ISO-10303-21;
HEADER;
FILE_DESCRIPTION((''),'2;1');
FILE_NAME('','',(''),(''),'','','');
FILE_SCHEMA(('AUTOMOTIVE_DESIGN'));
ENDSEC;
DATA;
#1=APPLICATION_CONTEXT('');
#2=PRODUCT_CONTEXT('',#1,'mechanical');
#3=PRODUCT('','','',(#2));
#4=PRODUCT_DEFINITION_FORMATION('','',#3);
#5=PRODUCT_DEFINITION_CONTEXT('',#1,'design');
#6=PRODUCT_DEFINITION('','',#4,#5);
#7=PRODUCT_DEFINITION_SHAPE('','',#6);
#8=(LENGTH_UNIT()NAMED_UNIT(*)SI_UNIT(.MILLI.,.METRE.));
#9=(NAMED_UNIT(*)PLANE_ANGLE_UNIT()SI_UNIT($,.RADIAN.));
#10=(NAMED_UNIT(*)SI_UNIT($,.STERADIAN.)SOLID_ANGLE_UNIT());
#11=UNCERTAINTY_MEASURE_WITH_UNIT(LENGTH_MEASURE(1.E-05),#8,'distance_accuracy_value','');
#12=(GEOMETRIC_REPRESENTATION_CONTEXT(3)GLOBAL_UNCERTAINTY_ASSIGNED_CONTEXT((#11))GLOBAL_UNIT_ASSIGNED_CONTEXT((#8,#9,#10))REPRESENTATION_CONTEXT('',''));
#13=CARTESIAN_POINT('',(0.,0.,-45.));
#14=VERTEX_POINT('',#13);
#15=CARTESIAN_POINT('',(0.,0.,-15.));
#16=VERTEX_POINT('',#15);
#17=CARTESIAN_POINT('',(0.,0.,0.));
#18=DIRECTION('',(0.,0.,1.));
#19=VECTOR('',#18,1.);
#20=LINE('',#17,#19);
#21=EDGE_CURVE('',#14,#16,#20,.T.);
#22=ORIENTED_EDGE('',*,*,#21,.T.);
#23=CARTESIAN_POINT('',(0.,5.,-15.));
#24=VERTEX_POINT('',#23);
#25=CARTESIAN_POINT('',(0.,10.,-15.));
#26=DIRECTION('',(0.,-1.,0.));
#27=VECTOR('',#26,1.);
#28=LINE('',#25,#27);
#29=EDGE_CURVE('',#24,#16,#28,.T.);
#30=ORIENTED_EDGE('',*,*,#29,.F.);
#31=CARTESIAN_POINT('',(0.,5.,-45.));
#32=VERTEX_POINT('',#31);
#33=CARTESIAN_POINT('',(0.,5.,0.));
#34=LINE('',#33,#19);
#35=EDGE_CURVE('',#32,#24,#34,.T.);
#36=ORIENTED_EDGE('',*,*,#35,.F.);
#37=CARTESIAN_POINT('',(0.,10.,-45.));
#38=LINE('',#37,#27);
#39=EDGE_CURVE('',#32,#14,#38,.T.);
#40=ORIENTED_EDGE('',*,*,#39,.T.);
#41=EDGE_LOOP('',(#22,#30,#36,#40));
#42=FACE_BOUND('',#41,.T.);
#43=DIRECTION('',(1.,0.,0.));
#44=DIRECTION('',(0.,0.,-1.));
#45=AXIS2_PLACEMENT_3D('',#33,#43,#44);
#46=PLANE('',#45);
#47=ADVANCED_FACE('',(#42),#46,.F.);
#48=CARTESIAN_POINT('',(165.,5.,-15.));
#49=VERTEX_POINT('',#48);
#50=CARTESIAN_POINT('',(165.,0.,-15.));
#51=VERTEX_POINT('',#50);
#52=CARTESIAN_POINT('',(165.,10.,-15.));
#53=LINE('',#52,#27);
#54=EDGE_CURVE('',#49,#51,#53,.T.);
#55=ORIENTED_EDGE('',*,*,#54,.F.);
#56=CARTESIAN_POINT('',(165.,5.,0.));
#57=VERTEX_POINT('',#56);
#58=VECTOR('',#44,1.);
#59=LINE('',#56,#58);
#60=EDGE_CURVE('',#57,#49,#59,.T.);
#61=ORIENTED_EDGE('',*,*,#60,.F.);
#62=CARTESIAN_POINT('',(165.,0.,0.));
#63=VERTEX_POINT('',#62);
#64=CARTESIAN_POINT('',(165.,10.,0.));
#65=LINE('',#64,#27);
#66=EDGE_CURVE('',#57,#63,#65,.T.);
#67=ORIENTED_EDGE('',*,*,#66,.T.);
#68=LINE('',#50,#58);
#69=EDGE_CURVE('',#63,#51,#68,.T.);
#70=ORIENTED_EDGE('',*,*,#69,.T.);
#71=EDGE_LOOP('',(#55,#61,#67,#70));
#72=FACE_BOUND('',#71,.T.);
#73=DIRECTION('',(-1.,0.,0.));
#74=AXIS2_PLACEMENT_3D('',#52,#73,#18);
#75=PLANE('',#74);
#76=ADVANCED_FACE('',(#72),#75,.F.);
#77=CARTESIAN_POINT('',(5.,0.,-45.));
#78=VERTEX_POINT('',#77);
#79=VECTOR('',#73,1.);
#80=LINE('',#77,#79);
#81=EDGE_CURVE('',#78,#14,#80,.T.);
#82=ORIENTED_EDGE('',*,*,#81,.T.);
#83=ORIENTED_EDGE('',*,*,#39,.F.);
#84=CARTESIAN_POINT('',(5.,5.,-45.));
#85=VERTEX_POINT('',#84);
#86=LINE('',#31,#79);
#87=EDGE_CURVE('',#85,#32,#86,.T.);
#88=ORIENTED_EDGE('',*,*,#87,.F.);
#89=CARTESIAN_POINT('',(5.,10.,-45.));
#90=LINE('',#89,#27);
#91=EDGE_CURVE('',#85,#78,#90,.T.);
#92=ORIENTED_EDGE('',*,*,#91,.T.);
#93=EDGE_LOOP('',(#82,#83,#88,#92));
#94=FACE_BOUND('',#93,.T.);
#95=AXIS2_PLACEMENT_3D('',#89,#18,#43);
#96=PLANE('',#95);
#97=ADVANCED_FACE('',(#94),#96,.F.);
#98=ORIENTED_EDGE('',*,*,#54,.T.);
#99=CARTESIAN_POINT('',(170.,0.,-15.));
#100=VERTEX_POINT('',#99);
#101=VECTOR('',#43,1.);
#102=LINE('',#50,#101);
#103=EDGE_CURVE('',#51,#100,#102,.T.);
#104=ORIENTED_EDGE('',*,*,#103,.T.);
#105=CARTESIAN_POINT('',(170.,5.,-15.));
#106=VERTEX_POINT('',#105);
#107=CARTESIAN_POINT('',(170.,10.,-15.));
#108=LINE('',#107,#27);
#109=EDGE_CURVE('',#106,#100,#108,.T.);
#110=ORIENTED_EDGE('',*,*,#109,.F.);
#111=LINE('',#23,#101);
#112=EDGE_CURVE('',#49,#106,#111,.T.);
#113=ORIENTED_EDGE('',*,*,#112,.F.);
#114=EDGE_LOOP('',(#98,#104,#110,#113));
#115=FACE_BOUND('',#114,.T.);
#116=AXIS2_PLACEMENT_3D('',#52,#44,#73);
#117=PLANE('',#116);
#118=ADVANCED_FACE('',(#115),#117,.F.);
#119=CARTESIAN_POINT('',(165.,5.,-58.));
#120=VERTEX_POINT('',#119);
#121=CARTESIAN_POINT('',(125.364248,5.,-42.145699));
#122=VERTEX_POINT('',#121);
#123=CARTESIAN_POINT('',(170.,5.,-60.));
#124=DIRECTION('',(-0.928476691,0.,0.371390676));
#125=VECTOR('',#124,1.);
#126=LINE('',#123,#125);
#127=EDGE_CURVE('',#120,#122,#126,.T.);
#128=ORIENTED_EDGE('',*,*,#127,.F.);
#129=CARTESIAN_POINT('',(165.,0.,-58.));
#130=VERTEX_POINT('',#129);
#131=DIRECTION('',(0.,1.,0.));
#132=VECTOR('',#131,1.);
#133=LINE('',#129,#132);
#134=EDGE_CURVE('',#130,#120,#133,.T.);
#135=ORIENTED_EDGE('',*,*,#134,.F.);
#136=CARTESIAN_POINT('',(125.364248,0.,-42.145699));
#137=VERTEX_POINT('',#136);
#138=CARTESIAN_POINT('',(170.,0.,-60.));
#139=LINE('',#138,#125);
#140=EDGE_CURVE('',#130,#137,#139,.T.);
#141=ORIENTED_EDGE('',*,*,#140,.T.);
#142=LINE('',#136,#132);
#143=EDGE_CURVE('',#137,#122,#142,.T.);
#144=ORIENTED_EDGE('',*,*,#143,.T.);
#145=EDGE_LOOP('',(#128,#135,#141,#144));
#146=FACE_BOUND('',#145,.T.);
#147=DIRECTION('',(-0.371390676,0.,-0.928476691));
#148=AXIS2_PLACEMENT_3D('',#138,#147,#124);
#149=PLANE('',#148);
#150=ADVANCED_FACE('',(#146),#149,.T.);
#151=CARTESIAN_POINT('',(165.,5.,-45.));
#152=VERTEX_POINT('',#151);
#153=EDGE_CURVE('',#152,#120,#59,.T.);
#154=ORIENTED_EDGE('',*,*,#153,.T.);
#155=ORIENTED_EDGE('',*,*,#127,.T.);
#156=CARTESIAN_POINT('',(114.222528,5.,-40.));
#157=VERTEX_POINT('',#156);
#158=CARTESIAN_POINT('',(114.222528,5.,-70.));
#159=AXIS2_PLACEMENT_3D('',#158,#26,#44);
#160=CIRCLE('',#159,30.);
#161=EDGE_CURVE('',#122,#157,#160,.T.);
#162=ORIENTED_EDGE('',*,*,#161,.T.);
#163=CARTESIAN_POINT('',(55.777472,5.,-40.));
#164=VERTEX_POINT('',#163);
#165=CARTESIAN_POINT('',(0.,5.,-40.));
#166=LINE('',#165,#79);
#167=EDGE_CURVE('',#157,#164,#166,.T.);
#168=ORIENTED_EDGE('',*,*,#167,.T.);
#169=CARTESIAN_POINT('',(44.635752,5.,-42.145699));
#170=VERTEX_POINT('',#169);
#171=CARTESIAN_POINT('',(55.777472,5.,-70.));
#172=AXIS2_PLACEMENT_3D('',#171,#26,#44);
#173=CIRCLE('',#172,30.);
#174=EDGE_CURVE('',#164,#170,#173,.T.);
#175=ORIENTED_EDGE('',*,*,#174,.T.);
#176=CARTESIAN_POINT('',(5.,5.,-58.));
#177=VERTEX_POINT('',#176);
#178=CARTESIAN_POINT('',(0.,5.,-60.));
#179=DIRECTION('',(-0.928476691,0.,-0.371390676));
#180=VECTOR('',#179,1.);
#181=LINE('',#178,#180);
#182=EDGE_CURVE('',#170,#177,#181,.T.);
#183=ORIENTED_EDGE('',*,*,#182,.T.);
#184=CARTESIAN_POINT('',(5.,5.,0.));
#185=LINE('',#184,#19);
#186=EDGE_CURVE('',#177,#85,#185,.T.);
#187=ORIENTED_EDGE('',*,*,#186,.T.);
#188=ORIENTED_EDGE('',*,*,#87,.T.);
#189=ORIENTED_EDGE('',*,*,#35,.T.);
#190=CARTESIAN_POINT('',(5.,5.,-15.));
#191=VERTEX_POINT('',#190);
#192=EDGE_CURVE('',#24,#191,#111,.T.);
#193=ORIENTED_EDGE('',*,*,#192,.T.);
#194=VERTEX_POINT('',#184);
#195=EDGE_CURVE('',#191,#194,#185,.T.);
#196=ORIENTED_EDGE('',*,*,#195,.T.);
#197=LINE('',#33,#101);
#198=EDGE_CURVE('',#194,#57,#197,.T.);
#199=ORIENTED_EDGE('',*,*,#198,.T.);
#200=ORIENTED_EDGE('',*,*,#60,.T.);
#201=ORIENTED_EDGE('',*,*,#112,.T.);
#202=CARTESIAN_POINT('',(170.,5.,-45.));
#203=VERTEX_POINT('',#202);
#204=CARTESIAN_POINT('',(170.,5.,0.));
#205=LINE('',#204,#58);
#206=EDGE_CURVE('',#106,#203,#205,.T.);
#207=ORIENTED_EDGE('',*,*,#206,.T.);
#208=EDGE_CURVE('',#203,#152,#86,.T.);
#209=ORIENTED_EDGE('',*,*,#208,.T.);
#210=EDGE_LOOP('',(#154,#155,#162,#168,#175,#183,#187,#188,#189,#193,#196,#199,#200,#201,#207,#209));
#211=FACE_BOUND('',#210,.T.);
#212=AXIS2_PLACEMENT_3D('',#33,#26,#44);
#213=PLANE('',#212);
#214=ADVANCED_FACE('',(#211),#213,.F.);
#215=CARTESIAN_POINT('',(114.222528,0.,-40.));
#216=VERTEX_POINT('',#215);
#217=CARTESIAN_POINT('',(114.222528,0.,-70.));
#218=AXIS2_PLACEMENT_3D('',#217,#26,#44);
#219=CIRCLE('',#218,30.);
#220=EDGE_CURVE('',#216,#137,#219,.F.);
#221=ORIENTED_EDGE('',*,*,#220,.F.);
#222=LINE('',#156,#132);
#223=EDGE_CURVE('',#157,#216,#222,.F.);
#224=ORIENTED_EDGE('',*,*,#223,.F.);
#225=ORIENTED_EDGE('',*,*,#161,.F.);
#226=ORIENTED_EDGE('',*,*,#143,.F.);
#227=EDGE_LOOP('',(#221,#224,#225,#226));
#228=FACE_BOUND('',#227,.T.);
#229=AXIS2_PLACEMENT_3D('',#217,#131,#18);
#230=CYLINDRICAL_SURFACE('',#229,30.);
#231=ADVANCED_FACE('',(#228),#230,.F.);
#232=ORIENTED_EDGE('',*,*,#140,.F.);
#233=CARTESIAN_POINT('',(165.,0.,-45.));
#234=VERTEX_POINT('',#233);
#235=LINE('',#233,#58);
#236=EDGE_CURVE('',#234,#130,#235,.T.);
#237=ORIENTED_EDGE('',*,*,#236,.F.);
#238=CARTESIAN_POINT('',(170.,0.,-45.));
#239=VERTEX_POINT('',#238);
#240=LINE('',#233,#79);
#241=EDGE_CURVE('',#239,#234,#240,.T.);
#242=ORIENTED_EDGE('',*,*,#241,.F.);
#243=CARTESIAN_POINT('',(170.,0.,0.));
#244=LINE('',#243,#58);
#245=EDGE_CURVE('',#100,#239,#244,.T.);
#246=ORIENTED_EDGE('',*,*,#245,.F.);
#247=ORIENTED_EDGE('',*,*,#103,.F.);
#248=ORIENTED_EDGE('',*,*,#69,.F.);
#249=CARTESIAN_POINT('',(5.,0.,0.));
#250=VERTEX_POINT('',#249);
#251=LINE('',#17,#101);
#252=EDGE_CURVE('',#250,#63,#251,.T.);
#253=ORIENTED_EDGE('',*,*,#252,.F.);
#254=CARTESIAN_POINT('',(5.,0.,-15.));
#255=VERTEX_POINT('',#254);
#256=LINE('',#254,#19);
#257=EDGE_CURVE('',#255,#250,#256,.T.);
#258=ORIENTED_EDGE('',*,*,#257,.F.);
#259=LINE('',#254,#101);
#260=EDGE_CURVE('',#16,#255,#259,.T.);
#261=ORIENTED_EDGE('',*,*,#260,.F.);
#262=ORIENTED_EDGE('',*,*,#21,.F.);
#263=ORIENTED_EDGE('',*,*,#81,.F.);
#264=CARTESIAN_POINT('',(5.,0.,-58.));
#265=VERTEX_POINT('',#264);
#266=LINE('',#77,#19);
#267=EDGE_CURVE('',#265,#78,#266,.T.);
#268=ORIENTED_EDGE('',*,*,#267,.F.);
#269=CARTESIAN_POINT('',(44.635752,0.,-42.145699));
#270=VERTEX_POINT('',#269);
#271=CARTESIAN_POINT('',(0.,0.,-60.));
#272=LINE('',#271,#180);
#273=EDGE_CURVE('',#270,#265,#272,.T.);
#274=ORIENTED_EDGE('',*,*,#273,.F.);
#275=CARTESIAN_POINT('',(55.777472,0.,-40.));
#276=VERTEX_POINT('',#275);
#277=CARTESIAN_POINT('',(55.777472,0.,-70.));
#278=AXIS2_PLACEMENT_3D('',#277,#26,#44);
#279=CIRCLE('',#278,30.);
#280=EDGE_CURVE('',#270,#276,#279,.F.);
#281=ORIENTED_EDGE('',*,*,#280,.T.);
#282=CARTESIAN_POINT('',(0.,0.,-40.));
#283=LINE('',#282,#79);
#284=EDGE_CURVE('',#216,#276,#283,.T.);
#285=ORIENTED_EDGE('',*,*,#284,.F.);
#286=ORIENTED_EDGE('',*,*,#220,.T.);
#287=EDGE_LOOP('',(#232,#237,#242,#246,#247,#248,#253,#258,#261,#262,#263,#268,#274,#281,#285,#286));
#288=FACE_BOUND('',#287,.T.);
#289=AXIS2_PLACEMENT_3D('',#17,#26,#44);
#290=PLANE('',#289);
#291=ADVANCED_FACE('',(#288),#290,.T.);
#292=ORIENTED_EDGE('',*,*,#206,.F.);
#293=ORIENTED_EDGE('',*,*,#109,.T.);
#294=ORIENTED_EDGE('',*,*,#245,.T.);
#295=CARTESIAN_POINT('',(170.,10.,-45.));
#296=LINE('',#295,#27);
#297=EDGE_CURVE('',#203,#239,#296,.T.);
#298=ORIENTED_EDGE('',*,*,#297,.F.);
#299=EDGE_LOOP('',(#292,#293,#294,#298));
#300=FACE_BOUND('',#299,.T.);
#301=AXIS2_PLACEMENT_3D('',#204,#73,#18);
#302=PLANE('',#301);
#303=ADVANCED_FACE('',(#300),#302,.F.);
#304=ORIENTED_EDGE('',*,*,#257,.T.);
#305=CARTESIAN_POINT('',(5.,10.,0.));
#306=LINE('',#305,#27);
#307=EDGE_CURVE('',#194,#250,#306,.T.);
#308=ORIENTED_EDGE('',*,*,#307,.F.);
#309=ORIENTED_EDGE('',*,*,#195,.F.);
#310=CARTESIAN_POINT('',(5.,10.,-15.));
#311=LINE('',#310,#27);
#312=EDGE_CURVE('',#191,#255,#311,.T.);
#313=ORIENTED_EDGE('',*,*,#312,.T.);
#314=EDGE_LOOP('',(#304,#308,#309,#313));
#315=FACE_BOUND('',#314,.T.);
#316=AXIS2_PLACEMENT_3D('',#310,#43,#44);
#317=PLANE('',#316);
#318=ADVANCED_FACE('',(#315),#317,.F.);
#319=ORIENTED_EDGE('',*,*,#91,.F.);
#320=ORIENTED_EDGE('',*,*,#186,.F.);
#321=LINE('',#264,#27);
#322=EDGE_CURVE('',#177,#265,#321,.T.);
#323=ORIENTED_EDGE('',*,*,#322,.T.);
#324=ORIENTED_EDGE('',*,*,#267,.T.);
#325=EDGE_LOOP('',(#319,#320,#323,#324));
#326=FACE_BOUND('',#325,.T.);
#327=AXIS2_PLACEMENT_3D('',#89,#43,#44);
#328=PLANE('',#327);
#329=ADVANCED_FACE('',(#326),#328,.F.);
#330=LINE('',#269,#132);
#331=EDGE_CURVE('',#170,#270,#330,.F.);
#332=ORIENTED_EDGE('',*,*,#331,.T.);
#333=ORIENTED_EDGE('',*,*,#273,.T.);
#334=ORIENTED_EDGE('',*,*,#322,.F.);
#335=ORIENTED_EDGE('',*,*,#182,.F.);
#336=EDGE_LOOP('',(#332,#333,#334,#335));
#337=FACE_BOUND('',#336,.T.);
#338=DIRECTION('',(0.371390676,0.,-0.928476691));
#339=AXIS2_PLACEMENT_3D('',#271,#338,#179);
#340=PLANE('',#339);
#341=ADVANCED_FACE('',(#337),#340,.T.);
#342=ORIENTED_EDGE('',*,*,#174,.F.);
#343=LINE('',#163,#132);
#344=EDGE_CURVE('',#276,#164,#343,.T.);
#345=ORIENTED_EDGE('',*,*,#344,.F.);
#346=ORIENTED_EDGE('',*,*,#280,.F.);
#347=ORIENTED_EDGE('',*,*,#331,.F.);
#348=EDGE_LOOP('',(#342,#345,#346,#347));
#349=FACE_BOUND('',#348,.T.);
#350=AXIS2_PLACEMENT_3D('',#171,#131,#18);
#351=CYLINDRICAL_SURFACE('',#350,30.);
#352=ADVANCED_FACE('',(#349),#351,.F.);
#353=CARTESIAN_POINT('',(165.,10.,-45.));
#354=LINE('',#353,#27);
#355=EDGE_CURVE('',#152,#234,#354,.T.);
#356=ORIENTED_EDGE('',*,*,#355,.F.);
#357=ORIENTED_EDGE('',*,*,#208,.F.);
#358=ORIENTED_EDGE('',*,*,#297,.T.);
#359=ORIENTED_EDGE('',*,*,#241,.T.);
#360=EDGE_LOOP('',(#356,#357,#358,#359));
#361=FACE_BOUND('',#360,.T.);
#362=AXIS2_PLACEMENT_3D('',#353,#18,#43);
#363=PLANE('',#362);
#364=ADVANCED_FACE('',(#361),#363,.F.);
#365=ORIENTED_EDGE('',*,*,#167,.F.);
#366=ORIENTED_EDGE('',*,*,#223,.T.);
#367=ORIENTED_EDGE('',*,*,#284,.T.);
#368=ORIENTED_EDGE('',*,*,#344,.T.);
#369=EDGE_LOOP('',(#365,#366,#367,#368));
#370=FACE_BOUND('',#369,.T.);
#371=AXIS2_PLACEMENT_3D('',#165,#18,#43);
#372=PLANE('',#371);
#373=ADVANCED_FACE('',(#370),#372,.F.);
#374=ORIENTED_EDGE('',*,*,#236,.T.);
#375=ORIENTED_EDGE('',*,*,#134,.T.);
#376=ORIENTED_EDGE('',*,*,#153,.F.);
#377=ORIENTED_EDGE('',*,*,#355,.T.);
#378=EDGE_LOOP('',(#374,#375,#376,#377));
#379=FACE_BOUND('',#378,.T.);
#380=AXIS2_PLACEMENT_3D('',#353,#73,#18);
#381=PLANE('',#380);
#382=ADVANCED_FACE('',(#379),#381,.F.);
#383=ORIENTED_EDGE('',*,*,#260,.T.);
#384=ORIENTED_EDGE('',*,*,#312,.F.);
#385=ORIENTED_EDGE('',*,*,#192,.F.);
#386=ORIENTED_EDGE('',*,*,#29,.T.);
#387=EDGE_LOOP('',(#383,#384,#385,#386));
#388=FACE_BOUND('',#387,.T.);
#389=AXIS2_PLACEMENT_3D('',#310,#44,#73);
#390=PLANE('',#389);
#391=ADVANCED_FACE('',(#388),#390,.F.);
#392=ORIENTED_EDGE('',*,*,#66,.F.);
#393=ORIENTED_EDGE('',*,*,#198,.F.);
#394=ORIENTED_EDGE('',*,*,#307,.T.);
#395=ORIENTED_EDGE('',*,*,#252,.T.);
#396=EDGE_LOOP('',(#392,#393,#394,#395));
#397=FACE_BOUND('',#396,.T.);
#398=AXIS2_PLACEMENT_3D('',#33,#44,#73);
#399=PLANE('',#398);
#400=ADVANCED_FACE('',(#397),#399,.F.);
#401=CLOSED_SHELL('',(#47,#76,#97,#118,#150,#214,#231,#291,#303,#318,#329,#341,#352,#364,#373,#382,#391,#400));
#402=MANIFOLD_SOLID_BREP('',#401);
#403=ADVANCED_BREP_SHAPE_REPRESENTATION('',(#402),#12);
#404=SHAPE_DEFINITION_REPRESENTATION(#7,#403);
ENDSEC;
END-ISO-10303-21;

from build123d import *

# Parameters (mm, degrees)
SKETCH_1_W          = 170
SKETCH_1_H          = 40
EXTRUDE_1_DEPTH     = 5
EXTRUDE_2_DEPTH     = 5
FILLET_1_R          = 30
SKETCH_3_W          = 5
SKETCH_3_H          = 15
CUT_EXTRUDE_1_DEPTH = 10


with BuildPart() as part:
    # 스케치1 → 보스-돌출1 (new body)
    with BuildSketch(Plane(origin=(0, 0, 0), x_dir=(1, 0, 0), z_dir=(0, 1, 0))):
        with Locations((85, 20)):
            Rectangle(SKETCH_1_W, SKETCH_1_H)
    extrude(amount=EXTRUDE_1_DEPTH)

    # 스케치2 → 보스-돌출2 (add)
    with BuildSketch(Plane(origin=(0, 5, 0), x_dir=(1, 0, 0), z_dir=(0, 1, 0))):
        Polygon((170, 40), (170, 60), (120, 40), align=None)
        Polygon((0, 40), (0, 60), (50, 40), align=None)
    extrude(amount=-EXTRUDE_2_DEPTH)

    # 필렛1
    fillet_1_edges = [part.edges().sort_by_distance(p)[0] for p in [
        (120, 2.5, -40),
        (50, 2.5, -40),
    ]]
    fillet(fillet_1_edges, radius=FILLET_1_R)

    # 스케치3 → 컷-돌출1 (cut)
    with BuildSketch(Plane(origin=(0, 0, 0), x_dir=(-1, 0, 0), z_dir=(0, -1, 0))):
        with Locations((-2.5, 52.5)):
            Rectangle(SKETCH_3_W, SKETCH_3_H)
        with Locations((-2.5, 7.5)):
            Rectangle(SKETCH_3_W, SKETCH_3_H)
        with Locations((-167.5, 52.5)):
            Rectangle(SKETCH_3_W, SKETCH_3_H)
        with Locations((-167.5, 7.5)):
            Rectangle(SKETCH_3_W, SKETCH_3_H)
    extrude(amount=-CUT_EXTRUDE_1_DEPTH, mode=Mode.SUBTRACT)


solid = part.part
